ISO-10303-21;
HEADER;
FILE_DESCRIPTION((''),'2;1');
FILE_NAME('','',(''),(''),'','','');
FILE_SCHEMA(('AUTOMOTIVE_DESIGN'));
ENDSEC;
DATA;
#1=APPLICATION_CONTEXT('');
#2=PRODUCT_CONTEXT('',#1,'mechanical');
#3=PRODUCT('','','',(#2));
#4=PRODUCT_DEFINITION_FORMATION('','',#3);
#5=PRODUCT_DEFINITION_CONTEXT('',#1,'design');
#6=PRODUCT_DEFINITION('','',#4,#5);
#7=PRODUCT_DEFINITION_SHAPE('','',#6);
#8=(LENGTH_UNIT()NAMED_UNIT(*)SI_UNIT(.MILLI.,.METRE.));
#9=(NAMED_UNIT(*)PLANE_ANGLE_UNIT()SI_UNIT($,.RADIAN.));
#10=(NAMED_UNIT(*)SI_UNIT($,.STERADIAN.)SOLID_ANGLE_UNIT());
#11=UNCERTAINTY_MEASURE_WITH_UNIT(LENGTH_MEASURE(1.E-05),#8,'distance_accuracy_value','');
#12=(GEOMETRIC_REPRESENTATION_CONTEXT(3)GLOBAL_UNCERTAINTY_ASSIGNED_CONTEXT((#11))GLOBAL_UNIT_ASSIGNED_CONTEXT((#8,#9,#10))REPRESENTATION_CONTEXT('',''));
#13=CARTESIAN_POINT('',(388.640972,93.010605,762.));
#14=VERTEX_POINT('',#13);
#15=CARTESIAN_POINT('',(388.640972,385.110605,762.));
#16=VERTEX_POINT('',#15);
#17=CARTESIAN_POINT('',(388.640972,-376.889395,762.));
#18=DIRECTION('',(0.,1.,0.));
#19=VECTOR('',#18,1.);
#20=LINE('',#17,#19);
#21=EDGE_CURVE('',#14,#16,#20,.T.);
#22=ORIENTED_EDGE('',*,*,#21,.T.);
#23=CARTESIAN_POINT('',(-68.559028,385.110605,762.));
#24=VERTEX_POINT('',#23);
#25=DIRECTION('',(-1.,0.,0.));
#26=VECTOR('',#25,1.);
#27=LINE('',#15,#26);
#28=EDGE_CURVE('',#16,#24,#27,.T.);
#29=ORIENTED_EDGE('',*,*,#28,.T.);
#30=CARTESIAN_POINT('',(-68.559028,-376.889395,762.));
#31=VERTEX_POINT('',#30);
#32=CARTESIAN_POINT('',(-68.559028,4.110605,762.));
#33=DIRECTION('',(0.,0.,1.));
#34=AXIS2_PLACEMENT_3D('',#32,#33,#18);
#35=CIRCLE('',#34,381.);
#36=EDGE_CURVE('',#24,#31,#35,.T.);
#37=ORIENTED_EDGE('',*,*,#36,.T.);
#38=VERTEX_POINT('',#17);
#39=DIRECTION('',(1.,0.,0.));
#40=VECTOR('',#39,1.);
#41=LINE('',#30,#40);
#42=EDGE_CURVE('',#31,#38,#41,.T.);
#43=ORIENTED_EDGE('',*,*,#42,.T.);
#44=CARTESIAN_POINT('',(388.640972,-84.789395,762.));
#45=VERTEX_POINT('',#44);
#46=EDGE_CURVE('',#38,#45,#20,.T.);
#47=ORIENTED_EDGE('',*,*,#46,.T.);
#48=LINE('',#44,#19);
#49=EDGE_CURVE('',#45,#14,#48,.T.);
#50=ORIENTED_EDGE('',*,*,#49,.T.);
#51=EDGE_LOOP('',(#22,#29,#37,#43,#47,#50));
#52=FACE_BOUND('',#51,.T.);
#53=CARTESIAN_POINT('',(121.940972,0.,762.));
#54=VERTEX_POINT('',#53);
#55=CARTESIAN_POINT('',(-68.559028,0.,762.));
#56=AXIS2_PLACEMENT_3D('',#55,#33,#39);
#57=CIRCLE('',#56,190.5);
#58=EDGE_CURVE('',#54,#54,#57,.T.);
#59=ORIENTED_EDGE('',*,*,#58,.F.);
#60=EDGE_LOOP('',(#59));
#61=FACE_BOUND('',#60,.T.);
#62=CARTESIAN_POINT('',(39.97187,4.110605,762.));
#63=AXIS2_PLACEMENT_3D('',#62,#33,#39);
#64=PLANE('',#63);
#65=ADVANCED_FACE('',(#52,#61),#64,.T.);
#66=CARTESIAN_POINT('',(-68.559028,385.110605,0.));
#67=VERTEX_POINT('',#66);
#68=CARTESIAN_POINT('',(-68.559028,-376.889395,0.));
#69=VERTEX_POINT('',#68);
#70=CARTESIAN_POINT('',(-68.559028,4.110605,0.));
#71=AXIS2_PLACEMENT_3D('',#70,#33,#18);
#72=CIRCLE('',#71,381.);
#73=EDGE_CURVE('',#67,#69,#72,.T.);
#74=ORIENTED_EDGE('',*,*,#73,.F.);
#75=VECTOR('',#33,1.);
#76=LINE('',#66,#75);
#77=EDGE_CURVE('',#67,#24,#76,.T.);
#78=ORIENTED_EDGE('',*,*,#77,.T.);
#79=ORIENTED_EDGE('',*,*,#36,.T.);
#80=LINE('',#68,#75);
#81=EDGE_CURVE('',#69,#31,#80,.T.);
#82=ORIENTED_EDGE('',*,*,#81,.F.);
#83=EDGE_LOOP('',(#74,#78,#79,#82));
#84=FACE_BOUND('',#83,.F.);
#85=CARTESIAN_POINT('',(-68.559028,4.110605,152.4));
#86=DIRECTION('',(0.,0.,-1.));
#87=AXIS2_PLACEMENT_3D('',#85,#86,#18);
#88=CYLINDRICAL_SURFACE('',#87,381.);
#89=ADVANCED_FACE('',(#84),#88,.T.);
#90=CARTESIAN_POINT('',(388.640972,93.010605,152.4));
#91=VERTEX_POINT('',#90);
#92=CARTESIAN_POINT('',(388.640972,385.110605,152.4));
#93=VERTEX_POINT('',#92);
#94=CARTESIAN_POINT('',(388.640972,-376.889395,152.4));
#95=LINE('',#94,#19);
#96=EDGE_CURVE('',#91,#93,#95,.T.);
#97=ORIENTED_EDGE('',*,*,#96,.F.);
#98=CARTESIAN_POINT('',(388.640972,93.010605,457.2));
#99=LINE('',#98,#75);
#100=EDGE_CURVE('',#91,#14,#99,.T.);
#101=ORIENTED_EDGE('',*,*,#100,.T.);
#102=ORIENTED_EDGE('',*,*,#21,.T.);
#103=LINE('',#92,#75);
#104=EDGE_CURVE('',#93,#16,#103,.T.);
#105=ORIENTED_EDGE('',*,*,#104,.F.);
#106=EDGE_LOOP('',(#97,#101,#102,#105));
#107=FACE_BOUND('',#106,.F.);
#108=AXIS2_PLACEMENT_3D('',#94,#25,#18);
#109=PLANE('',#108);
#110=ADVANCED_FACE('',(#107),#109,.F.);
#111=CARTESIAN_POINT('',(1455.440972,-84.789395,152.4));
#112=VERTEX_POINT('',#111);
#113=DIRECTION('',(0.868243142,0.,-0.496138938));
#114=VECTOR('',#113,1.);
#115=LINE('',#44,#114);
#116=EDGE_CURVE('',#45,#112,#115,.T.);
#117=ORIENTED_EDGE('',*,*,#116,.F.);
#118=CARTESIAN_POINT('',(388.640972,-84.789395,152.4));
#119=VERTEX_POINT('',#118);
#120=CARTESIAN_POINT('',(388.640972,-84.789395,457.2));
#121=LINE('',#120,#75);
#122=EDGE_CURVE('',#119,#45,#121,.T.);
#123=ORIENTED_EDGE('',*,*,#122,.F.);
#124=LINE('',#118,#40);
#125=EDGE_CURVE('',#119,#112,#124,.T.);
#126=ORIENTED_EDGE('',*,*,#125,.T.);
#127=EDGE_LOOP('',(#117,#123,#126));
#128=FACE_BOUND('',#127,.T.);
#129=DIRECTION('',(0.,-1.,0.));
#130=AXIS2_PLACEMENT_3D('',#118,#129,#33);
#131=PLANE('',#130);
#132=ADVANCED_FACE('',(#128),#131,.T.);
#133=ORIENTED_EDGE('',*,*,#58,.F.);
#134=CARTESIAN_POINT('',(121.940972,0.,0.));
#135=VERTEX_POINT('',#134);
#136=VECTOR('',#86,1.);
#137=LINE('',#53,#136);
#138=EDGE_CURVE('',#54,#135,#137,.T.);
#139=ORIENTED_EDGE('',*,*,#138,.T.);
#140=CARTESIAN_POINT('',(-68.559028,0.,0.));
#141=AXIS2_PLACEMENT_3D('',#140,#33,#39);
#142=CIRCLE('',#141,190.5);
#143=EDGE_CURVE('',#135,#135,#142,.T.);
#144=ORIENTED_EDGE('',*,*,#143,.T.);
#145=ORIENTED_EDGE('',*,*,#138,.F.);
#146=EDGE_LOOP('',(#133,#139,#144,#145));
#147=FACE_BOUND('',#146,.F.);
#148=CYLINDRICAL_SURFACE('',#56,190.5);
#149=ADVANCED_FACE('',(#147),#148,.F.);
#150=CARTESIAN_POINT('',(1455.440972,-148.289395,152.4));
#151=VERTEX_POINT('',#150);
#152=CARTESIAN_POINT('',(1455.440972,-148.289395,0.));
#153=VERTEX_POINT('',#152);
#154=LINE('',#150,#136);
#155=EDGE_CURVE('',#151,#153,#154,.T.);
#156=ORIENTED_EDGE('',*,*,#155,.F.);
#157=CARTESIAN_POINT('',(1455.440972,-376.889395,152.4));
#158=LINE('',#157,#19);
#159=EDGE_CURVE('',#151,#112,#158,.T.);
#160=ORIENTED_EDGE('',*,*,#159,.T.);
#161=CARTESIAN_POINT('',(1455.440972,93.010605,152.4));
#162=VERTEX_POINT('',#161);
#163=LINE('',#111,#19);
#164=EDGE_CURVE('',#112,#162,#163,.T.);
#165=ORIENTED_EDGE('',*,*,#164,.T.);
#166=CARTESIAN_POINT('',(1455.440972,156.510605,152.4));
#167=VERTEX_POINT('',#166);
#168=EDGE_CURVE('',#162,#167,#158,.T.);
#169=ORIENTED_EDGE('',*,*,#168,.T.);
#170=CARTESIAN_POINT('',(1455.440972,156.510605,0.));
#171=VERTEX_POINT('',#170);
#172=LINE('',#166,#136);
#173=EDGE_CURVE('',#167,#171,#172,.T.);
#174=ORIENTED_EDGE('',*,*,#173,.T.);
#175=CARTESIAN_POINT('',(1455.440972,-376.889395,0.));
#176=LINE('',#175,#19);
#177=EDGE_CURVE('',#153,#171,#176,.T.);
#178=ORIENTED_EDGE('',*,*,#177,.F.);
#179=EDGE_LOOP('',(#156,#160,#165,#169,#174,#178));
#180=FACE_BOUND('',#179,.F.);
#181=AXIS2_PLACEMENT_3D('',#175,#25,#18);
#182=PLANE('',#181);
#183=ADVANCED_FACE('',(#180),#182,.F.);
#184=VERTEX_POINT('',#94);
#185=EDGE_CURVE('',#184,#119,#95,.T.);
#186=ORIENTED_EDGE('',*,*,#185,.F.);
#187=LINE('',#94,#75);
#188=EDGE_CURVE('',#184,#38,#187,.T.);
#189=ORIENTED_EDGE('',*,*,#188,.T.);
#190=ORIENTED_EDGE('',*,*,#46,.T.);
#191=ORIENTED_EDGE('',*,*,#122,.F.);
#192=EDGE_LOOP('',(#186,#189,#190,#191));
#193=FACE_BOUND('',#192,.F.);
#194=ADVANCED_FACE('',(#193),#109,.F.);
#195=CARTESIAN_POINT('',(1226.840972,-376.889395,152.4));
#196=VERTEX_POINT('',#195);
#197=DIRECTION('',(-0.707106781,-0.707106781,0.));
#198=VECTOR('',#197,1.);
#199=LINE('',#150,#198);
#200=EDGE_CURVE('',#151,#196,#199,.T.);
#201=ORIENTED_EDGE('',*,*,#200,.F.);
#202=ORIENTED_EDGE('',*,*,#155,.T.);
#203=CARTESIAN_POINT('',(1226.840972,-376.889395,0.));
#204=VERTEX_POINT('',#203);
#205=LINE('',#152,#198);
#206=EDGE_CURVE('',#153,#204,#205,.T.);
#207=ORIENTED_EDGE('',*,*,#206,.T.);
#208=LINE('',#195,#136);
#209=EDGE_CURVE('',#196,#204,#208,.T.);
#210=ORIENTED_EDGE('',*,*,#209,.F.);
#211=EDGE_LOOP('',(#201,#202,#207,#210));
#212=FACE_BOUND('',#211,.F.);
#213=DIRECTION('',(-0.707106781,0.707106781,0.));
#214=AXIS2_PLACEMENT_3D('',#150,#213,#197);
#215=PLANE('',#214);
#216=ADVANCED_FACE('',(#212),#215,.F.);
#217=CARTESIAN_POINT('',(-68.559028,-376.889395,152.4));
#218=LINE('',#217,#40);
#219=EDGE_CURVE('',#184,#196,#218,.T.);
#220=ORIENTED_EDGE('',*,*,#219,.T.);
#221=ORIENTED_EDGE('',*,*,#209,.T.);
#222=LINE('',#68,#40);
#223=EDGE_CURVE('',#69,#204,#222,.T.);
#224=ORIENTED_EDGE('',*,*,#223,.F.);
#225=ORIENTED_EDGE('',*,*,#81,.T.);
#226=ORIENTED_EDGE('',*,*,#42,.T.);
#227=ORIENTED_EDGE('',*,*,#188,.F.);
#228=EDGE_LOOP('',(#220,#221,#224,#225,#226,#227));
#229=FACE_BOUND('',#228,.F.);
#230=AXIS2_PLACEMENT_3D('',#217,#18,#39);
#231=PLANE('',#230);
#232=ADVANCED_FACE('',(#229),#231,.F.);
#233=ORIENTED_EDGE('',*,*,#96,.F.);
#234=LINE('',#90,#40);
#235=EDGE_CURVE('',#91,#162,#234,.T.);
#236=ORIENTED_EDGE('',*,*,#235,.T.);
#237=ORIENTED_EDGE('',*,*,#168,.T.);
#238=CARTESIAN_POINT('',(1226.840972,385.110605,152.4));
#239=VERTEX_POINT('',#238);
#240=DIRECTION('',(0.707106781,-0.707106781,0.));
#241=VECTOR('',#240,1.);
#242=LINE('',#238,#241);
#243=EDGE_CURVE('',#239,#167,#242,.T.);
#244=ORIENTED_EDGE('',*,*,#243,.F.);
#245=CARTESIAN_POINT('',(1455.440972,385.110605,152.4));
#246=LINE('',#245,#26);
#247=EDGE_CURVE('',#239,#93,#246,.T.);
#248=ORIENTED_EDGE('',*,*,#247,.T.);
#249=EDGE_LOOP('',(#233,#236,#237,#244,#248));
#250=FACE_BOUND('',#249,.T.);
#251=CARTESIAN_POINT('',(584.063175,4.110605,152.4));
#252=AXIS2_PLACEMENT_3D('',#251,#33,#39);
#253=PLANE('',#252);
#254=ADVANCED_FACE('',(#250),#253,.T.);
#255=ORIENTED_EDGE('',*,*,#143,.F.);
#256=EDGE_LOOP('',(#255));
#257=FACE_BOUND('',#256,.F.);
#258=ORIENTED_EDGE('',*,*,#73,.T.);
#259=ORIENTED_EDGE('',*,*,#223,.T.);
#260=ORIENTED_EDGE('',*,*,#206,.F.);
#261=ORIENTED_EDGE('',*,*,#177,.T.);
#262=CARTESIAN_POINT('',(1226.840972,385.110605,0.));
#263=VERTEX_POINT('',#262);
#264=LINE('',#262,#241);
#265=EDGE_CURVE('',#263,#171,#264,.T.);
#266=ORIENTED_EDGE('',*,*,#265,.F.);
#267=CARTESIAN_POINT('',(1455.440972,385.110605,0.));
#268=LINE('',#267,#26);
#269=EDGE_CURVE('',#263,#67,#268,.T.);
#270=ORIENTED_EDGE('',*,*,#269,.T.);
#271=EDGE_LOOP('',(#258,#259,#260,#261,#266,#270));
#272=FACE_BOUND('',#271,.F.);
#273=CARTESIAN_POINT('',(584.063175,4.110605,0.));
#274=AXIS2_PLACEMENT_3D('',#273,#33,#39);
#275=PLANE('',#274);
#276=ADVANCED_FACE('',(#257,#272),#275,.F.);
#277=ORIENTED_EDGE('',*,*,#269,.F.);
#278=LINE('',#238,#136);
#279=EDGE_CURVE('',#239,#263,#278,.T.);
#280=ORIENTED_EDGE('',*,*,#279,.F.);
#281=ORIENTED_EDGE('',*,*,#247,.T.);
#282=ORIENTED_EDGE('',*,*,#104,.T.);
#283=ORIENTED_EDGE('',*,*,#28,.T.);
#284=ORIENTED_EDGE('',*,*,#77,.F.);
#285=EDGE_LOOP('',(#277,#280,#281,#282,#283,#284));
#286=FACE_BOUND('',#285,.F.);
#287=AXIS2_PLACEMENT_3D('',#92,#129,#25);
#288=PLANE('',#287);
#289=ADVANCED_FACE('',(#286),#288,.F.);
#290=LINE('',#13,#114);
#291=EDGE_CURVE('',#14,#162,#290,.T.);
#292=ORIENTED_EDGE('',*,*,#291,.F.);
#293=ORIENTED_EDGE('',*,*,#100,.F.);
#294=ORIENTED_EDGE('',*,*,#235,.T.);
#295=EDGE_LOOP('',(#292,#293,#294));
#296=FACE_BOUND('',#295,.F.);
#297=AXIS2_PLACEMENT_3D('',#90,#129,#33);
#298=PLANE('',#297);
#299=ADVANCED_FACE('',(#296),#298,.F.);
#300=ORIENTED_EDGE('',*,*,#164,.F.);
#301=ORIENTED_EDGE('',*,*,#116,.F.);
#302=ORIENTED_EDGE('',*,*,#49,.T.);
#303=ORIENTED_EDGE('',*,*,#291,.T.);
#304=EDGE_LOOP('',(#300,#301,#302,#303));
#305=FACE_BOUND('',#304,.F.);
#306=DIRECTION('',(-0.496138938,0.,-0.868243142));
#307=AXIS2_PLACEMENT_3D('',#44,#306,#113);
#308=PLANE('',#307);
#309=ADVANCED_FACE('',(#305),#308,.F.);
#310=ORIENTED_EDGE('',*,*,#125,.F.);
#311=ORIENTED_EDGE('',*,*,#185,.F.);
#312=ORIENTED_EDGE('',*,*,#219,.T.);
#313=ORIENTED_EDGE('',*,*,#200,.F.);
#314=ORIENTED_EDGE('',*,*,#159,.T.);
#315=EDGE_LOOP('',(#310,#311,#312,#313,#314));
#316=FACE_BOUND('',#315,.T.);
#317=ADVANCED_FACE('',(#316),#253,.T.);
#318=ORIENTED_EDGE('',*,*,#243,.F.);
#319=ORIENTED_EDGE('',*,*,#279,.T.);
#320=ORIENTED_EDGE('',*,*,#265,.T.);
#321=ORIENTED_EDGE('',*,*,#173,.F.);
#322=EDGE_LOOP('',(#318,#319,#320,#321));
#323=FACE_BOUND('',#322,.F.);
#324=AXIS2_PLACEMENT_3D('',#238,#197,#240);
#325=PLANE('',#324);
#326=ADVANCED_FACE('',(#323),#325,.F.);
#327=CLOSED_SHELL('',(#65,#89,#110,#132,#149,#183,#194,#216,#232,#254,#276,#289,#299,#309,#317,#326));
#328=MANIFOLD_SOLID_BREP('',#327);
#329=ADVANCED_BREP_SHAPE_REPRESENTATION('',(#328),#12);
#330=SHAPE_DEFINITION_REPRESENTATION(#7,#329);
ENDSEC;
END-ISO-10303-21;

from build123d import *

# Parameters (mm, degrees)
F1_DEPTH  = 152.4
F3_DEPTH  = 609.6
F4_W      = 177.8
F4_H      = 609.6
F5_DEPTH  = 1066.8
F7_DEPTH  = 177.8
F10_DEPTH = 152.4
F11_R     = 190.5
F12_DEPTH = 762


with BuildPart() as f1:
    # F0 (on Top) → F1 (new body)
    with BuildSketch(Plane.XY):
        with BuildLine():
            Line((1455.440972, 385.110605), (-68.559028, 385.110605))
            ThreePointArc((-68.559028, 385.110605), (-449.559028, 4.110605), (-68.559028, -376.889395))
            Line((-68.559028, -376.889395), (1455.440972, -376.889395))
            Line((1455.440972, -376.889395), (1455.440972, 385.110605))
        make_face()
    extrude(amount=F1_DEPTH)

    # F2 (on face) → F3 (join)
    with BuildSketch(Plane.XY.offset(152.4)):
        with BuildLine():
            Line((388.640972, 385.110605), (-68.559028, 385.110605))
            ThreePointArc((-68.559028, 385.110605), (-449.559028, 4.110605), (-68.559028, -376.889395))
            Line((-68.559028, -376.889395), (388.640972, -376.889395))
            Line((388.640972, -376.889395), (388.640972, 385.110605))
        make_face()
    extrude(amount=F3_DEPTH)

    # F4 (on face) → F5 (join)
    with BuildSketch(Plane.YZ.offset(388.640972)):
        with Locations((4.110605, 457.2)):
            Rectangle(F4_W, F4_H)
    extrude(amount=F5_DEPTH)

    # F6 (on face) → F7 (cut)
    with BuildSketch(Plane.XZ.offset(84.789395)):
        Polygon((1455.440972, 762), (388.640972, 762), (1455.440972, 152.4), align=None)
    extrude(amount=-F7_DEPTH, mode=Mode.SUBTRACT)

    # F8 (on face) + F9 (on face) → F10 (cut)
    with BuildSketch(Plane.XY.offset(152.4)):
        Polygon((1455.440972, 156.510605), (1455.440972, 385.110605), (1226.840972, 385.110605), align=None)
    with BuildSketch(Plane.XY.offset(152.4)):
        Polygon((1226.840972, -376.889395), (1455.440972, -376.889395), (1455.440972, -148.289395), align=None)
    extrude(amount=-F10_DEPTH, mode=Mode.SUBTRACT)

    # F11 (on face) → F12 (cut)
    with BuildSketch(Plane.XY.offset(762)):
        with Locations((-68.559028, 0)):
            Circle(F11_R)
    extrude(amount=-F12_DEPTH, mode=Mode.SUBTRACT)


solid = f1.part
